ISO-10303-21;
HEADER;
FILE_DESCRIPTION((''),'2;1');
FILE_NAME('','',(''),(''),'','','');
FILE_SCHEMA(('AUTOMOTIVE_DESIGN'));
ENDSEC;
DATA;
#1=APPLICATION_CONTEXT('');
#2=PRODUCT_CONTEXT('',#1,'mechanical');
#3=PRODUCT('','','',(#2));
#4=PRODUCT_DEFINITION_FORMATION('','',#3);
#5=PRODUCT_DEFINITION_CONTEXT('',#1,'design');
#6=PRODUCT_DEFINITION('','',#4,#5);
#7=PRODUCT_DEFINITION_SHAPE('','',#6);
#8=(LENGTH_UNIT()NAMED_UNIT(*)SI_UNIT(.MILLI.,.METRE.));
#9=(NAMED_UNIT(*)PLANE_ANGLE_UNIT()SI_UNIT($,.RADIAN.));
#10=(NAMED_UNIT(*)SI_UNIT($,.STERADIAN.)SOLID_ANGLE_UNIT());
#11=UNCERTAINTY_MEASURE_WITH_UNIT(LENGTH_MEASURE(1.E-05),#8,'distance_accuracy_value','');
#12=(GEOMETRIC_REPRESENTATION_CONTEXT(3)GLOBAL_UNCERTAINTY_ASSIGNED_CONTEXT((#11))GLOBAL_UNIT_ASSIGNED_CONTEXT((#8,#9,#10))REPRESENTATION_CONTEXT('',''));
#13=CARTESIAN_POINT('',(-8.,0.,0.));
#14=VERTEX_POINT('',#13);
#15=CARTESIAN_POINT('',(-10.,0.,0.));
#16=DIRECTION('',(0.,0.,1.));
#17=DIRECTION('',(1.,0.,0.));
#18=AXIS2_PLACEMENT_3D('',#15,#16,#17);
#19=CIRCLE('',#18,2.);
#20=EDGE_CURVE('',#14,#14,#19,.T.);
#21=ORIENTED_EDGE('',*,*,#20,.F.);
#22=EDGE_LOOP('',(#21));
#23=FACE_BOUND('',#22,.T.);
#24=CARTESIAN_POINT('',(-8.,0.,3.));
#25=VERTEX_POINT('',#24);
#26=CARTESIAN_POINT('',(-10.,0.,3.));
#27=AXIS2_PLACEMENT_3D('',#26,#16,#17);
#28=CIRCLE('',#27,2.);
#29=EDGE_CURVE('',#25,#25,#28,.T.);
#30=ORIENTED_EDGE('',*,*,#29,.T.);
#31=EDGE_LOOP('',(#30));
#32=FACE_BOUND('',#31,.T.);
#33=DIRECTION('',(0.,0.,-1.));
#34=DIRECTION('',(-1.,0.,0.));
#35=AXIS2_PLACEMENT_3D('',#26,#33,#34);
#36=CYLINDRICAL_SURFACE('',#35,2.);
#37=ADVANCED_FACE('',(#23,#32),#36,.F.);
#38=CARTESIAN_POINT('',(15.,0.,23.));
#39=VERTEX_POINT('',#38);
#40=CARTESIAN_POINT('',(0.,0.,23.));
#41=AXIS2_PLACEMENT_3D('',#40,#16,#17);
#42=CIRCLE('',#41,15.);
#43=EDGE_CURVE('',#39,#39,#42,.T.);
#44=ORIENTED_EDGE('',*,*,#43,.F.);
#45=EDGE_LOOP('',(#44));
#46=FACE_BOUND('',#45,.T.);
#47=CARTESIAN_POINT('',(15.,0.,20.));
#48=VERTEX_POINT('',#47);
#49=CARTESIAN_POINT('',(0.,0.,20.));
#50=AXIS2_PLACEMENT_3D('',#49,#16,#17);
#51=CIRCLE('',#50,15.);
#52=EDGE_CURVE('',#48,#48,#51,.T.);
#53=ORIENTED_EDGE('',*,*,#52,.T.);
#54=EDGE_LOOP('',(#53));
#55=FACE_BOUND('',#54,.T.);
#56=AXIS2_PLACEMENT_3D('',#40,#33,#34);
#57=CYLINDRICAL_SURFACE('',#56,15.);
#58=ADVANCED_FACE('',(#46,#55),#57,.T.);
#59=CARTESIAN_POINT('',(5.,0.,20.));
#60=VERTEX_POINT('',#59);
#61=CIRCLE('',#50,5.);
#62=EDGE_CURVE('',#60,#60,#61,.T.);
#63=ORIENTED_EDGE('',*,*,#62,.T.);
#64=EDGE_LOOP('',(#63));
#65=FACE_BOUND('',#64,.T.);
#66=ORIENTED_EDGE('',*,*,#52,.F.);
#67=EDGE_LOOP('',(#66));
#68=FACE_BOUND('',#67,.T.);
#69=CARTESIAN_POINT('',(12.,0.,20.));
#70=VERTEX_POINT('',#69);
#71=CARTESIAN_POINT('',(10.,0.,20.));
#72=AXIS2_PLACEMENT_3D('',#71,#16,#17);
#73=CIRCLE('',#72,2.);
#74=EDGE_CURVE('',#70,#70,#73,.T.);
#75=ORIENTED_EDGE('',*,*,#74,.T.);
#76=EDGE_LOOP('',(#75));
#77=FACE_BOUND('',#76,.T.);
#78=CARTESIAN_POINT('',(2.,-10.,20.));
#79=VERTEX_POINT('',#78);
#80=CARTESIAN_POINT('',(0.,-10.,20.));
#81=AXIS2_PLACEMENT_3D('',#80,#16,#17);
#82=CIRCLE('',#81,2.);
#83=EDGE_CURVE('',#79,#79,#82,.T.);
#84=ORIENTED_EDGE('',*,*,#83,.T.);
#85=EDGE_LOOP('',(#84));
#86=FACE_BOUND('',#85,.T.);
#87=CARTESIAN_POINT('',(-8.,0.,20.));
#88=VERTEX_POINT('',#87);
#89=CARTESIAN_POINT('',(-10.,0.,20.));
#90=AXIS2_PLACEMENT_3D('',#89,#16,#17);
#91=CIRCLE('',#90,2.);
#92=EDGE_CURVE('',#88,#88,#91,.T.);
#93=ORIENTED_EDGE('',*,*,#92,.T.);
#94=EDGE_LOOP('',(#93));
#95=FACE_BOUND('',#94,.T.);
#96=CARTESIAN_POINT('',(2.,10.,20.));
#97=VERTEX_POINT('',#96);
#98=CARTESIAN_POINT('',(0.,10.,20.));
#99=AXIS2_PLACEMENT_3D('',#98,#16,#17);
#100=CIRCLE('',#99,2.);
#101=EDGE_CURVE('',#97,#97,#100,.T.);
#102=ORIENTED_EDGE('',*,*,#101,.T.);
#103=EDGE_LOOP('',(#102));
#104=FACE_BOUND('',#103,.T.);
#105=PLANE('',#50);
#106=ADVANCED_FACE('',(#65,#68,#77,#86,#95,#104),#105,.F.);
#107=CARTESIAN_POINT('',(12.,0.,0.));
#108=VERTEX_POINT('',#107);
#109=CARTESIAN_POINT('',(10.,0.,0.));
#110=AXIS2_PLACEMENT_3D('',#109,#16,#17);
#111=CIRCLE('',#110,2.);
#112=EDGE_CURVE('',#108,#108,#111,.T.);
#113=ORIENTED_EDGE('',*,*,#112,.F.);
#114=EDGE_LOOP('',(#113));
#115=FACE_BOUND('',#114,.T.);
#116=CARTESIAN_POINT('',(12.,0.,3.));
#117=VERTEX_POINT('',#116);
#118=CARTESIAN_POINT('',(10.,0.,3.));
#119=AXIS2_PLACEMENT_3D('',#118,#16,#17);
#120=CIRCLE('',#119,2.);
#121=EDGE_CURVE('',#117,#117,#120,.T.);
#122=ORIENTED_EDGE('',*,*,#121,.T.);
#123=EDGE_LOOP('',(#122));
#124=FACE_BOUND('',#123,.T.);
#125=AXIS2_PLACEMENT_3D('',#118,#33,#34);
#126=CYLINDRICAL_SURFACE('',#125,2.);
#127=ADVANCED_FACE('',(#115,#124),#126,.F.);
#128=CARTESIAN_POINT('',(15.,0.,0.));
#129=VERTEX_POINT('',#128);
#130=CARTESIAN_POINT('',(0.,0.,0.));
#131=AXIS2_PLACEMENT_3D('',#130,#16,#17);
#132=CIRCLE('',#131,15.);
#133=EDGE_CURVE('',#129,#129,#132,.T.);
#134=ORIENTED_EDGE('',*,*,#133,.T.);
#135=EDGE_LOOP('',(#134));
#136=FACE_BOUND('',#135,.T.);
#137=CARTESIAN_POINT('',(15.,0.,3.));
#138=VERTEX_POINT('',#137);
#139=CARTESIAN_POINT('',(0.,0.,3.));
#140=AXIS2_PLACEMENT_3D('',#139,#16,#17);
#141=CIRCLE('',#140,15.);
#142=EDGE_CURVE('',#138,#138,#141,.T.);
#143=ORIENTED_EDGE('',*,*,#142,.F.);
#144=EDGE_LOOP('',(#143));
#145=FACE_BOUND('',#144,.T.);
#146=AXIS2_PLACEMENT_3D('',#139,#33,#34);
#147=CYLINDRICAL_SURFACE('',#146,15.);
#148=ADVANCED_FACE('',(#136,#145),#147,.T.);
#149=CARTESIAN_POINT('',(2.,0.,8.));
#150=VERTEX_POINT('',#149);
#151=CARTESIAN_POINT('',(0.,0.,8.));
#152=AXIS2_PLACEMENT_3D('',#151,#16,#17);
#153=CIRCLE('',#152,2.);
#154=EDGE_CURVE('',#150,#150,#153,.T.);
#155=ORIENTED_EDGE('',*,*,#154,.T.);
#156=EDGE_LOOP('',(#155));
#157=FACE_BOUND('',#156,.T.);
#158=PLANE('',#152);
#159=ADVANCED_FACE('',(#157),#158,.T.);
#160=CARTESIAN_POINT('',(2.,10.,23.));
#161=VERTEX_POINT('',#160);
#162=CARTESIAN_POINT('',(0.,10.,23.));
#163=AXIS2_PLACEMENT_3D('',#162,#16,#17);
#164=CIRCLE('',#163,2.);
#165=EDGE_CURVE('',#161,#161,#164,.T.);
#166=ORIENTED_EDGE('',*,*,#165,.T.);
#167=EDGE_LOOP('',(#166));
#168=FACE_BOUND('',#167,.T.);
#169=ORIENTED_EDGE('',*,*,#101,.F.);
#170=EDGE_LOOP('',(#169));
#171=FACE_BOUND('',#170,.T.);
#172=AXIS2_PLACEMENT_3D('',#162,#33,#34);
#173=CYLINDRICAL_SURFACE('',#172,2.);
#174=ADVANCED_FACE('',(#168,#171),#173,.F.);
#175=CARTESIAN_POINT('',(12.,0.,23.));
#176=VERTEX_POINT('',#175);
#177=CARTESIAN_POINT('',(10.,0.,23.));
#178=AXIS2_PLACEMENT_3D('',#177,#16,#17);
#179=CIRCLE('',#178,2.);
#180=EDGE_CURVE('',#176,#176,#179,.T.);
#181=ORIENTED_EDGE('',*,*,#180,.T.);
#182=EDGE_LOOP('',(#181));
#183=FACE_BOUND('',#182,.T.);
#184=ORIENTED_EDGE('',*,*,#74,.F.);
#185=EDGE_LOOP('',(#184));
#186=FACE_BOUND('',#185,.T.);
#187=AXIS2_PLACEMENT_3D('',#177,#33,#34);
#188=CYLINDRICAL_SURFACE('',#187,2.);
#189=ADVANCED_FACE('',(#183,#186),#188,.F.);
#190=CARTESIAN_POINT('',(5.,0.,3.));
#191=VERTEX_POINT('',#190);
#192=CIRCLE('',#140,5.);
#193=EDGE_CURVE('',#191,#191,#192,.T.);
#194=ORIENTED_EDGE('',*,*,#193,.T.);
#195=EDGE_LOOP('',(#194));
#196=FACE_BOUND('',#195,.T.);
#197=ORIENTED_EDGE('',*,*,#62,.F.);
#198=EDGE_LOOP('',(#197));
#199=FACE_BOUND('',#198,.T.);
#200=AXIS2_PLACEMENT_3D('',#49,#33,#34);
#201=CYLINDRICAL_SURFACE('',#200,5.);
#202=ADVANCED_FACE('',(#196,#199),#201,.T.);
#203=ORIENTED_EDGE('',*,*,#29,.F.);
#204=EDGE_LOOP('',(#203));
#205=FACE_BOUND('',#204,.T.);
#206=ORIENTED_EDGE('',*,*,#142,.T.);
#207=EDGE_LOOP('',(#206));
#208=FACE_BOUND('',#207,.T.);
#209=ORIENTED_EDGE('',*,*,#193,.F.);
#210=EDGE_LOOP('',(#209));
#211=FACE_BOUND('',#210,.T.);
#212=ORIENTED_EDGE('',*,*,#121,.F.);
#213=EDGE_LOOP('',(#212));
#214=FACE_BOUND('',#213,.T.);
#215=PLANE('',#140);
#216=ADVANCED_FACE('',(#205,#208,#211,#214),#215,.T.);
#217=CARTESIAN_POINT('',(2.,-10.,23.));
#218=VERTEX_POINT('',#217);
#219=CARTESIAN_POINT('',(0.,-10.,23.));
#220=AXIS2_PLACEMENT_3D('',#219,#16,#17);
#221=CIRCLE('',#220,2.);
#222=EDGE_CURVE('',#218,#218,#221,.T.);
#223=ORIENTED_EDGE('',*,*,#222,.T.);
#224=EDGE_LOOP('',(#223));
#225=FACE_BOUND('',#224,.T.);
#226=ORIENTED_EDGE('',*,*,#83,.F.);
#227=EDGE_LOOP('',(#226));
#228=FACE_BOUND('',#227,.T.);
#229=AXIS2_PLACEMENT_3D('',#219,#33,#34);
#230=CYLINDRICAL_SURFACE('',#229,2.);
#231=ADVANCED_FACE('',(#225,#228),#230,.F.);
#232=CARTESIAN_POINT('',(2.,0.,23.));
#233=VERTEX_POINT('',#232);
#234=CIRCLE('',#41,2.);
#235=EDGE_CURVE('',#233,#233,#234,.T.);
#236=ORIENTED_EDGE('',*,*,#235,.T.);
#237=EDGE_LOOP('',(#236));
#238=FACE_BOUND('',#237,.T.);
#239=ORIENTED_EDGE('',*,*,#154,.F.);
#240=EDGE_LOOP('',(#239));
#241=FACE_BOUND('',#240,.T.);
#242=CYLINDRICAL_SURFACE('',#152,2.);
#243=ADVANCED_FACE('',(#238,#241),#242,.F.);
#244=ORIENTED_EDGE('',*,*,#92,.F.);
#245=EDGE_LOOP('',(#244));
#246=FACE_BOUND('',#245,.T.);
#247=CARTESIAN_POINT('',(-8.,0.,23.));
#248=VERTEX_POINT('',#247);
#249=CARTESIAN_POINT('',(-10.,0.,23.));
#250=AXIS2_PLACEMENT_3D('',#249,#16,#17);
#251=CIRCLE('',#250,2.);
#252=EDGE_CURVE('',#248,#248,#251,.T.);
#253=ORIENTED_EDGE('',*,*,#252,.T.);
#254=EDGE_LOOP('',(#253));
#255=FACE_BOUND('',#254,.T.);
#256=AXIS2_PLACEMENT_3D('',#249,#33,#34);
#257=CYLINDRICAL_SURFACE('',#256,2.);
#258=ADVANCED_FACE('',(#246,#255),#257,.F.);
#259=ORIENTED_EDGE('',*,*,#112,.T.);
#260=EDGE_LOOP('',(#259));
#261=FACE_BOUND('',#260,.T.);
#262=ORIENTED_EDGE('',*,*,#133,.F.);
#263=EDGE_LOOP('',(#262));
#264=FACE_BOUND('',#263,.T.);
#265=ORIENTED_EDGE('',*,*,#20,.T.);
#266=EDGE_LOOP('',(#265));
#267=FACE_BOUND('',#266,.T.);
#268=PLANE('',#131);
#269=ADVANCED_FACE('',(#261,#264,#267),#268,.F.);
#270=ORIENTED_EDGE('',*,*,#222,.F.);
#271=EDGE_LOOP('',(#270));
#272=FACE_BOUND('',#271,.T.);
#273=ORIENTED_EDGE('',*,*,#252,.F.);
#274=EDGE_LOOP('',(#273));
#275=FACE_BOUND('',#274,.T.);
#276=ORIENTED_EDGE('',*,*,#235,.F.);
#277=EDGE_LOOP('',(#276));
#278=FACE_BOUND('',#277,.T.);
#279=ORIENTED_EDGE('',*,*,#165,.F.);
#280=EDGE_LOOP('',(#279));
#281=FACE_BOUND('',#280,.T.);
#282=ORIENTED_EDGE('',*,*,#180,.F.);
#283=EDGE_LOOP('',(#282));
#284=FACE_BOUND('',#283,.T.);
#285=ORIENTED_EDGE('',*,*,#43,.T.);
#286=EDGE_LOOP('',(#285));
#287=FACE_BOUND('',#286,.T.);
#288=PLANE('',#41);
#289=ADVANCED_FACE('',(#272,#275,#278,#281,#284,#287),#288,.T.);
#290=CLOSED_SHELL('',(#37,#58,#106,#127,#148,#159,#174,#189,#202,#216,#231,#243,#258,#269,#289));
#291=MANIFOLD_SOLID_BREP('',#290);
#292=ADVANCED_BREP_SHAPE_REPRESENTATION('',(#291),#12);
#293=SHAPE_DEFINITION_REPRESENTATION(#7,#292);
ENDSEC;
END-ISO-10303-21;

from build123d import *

# Parameters (mm, degrees)
SKETCH_1_R          = 15
SKETCH_1_R_2        = 2
EXTRUDE_2_DEPTH     = 3
SKETCH_2_R          = 5
EXTRUDE_3_DEPTH     = 17
SKETCH_4_R          = 15
SKETCH_4_R_2        = 2
EXTRUDE_4_DEPTH     = 3
SKETCH_8_R          = 2
CUT_EXTRUDE_2_DEPTH = 15


with BuildPart() as part:
    # 草图1 → 凸台-拉伸2 (new body)
    with BuildSketch(Plane.XY):
        Circle(SKETCH_1_R)
        with Locations((10, 0)):
            Circle(SKETCH_1_R_2, mode=Mode.SUBTRACT)
        with Locations((-10, 0)):
            Circle(SKETCH_1_R_2, mode=Mode.SUBTRACT)
    extrude(amount=EXTRUDE_2_DEPTH)

    # 草图2 → 凸台-拉伸3 (add)
    with BuildSketch(Plane.XY.offset(3)):
        Circle(SKETCH_2_R)
    extrude(amount=EXTRUDE_3_DEPTH)

    # 草图4 → 凸台-拉伸4 (add)
    with BuildSketch(Plane.XY.offset(20)):
        Circle(SKETCH_4_R)
        with Locations((-10, 0)):
            Circle(SKETCH_4_R_2, mode=Mode.SUBTRACT)
        with Locations((0, 10)):
            Circle(SKETCH_4_R_2, mode=Mode.SUBTRACT)
        with Locations((10, 0)):
            Circle(SKETCH_4_R_2, mode=Mode.SUBTRACT)
        with Locations((0, -10)):
            Circle(SKETCH_4_R_2, mode=Mode.SUBTRACT)
    extrude(amount=EXTRUDE_4_DEPTH)

    # 草图8 → 切除-拉伸2 (cut)
    with BuildSketch(Plane.XY.offset(23)):
        Circle(SKETCH_8_R)
    extrude(amount=-CUT_EXTRUDE_2_DEPTH, mode=Mode.SUBTRACT)


solid = part.part
